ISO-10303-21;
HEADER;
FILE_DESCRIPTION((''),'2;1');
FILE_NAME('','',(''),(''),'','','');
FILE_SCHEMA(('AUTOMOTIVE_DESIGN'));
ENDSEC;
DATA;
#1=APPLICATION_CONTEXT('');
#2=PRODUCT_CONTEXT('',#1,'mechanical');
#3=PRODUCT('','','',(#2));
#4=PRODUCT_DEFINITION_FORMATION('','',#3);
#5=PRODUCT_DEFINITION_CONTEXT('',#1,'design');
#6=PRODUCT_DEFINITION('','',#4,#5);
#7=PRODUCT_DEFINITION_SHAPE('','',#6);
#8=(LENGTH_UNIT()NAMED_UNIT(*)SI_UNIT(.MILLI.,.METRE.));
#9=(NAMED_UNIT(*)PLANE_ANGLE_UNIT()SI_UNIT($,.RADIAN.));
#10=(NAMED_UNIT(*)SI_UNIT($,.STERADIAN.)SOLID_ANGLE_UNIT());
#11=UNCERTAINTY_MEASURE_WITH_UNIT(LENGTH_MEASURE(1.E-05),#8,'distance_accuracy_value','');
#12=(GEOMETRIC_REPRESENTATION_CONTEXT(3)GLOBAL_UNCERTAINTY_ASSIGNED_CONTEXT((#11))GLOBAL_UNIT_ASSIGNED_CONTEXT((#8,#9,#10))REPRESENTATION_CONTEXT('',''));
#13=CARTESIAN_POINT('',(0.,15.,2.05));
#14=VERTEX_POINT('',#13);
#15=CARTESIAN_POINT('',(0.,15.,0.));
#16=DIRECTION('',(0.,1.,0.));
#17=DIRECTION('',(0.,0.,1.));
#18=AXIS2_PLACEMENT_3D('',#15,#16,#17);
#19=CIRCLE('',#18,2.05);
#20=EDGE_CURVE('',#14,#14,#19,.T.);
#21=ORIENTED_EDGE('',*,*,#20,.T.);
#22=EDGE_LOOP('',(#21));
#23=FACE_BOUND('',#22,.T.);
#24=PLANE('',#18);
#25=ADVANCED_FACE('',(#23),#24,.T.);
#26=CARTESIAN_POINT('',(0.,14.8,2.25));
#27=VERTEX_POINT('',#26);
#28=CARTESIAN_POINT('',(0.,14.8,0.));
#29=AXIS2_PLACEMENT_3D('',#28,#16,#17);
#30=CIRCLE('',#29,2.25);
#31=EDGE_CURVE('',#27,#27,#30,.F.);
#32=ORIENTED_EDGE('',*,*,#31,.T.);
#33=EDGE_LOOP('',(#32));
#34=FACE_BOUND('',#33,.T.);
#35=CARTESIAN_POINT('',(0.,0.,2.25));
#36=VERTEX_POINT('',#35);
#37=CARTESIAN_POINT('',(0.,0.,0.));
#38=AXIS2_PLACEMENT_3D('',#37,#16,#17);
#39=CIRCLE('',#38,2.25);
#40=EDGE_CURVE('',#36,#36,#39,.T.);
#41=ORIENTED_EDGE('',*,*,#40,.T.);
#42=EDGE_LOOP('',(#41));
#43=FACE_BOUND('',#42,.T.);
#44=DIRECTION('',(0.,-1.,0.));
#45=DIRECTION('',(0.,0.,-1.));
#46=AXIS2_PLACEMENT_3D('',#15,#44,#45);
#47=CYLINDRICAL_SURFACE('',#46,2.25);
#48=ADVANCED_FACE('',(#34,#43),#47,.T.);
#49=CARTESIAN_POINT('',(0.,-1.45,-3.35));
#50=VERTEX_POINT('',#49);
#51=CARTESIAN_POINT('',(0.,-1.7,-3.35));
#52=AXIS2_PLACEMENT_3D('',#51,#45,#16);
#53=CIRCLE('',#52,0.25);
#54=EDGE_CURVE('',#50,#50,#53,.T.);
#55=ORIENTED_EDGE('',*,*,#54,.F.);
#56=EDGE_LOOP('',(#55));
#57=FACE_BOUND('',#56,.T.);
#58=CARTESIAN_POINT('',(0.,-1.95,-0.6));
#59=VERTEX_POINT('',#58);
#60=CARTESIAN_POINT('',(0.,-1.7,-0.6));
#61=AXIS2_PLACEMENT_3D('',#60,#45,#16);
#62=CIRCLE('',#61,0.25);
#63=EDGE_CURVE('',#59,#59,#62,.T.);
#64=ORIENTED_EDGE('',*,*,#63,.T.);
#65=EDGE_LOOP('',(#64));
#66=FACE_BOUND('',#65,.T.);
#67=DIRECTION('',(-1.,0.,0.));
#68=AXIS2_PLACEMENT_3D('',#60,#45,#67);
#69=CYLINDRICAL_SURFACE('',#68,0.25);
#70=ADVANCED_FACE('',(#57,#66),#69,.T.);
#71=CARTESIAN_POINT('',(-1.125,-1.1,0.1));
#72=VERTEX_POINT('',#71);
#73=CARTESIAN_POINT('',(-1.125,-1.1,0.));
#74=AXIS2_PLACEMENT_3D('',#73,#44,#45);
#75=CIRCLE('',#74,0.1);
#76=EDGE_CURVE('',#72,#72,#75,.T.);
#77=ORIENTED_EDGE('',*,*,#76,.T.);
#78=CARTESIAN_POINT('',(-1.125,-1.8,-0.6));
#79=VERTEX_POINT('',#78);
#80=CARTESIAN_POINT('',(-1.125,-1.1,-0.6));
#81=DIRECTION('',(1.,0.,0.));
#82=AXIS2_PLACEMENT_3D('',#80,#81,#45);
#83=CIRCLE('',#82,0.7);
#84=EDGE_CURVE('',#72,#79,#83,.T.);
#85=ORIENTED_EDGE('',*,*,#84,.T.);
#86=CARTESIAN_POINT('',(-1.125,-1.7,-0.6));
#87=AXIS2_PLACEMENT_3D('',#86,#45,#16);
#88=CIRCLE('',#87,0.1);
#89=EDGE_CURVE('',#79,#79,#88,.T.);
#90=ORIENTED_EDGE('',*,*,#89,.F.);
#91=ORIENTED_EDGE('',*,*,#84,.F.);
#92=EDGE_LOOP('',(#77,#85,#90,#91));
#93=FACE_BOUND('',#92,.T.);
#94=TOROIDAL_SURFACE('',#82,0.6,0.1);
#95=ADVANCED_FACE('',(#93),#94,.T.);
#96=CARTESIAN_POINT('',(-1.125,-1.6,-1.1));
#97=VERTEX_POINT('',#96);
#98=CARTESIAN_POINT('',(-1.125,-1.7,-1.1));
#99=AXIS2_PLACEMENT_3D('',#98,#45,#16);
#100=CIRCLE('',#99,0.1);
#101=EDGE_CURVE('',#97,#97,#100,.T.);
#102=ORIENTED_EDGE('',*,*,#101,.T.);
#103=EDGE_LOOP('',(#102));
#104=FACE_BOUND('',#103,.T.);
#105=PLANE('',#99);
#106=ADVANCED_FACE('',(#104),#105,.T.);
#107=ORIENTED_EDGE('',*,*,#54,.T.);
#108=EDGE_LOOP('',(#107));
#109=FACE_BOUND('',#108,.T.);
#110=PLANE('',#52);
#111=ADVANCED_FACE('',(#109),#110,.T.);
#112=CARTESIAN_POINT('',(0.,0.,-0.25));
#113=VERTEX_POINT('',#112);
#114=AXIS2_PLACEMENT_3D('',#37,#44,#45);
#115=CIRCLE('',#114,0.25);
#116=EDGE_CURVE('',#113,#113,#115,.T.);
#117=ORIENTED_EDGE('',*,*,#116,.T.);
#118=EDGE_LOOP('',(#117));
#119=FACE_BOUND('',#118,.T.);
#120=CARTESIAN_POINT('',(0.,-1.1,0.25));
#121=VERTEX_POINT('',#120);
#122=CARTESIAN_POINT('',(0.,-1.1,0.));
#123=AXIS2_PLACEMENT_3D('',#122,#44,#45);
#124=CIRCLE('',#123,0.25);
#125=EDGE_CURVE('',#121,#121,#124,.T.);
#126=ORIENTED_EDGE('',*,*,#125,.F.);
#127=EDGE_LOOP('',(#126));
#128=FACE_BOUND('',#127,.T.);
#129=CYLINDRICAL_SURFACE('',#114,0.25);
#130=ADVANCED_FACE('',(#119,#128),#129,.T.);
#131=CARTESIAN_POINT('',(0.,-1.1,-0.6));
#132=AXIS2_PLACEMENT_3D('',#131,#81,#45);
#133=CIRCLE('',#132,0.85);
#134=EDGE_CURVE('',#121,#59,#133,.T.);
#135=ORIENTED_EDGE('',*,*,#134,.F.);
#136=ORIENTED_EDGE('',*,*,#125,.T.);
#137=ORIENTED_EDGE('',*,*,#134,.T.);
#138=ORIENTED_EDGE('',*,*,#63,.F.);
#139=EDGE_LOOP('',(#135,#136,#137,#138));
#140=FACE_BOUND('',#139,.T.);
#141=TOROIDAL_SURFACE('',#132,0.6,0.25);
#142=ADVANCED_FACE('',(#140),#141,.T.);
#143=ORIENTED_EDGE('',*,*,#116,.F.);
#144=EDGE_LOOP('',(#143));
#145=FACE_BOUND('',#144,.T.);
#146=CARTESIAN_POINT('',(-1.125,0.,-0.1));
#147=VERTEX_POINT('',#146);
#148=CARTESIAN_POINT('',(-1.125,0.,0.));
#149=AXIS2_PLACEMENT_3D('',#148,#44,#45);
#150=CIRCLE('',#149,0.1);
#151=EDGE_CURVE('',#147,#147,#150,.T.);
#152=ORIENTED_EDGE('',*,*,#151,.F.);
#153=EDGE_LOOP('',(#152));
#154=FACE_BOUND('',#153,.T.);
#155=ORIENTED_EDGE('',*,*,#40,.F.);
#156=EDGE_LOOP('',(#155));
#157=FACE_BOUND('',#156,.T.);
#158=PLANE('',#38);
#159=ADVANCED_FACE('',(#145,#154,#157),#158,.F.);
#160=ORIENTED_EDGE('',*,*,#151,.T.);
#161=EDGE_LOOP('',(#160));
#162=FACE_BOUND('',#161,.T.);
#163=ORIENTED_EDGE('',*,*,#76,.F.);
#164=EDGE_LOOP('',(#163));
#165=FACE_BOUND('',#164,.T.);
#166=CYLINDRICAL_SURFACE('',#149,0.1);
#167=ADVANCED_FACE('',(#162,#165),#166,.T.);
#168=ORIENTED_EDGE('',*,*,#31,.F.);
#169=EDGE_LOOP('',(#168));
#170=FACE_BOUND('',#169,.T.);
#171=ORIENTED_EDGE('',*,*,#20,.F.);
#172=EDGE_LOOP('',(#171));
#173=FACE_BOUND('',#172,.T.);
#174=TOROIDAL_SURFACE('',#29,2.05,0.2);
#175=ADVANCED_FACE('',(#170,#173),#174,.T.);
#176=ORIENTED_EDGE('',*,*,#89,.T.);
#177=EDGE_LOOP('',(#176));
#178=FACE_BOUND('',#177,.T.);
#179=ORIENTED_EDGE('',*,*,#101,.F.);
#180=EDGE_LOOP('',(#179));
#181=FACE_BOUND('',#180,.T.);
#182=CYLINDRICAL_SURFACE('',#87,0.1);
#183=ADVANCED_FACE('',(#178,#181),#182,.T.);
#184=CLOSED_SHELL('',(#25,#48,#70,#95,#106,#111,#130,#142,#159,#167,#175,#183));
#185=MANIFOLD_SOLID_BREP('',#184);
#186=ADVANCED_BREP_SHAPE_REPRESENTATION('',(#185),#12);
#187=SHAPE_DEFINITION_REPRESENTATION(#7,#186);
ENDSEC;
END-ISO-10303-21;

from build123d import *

# Parameters (mm, degrees)
SKETCH1_R           = 2.25
BOSS_EXTRUDE1_DEPTH = 15
SKETCH2_R           = 0.25
SKETCH4_R           = 0.1
FILLET1_R           = 0.2


with BuildPart() as part:
    # Sketch1 → Boss-Extrude1 (new body)
    with BuildSketch(Plane(origin=(0, 0, 0), x_dir=(1, 0, 0), z_dir=(0, 1, 0))):
        with Locations(Location((0, 0, 0), (0, 0, 270))):
            Circle(SKETCH1_R)
    extrude(amount=BOSS_EXTRUDE1_DEPTH)

    # Sweep1: sweep along a path in Sketch3
    with BuildLine(Plane(origin=(0, 0, 0), x_dir=(0, 0, -1), z_dir=(1, 0, 0))) as sweep1_path:
        Line((0, 0), (0, -1.1))
        ThreePointArc((0, -1.1), (0.175735931, -1.524264069), (0.6, -1.7))
        Line((0.6, -1.7), (3.35, -1.7))
    # Sketch2 → Sweep1 (sweep)
    with BuildSketch(Plane.XZ):
        Circle(SKETCH2_R)
    sweep(path=sweep1_path.line)

    # Sweep2: sweep along a path in Sketch5
    with BuildLine(Plane(origin=(0, 0, 0), x_dir=(0, 0, -1), z_dir=(1, 0, 0))) as sweep2_path:
        Line((0, 0), (0, -1.1))
        ThreePointArc((0, -1.1), (0.175735931, -1.524264069), (0.6, -1.7))
        Line((0.6, -1.7), (1.1, -1.7))
    # Sketch4 → Sweep2 (sweep)
    with BuildSketch(Plane.XZ):
        with Locations((-1.125, 0)):
            Circle(SKETCH4_R)
    sweep(path=sweep2_path.line)

    # Fillet1
    fillet1_edges = [part.edges().sort_by_distance(p)[0] for p in [
        (0, 15, -2.25),
    ]]
    fillet(fillet1_edges, radius=FILLET1_R)


solid = part.part
